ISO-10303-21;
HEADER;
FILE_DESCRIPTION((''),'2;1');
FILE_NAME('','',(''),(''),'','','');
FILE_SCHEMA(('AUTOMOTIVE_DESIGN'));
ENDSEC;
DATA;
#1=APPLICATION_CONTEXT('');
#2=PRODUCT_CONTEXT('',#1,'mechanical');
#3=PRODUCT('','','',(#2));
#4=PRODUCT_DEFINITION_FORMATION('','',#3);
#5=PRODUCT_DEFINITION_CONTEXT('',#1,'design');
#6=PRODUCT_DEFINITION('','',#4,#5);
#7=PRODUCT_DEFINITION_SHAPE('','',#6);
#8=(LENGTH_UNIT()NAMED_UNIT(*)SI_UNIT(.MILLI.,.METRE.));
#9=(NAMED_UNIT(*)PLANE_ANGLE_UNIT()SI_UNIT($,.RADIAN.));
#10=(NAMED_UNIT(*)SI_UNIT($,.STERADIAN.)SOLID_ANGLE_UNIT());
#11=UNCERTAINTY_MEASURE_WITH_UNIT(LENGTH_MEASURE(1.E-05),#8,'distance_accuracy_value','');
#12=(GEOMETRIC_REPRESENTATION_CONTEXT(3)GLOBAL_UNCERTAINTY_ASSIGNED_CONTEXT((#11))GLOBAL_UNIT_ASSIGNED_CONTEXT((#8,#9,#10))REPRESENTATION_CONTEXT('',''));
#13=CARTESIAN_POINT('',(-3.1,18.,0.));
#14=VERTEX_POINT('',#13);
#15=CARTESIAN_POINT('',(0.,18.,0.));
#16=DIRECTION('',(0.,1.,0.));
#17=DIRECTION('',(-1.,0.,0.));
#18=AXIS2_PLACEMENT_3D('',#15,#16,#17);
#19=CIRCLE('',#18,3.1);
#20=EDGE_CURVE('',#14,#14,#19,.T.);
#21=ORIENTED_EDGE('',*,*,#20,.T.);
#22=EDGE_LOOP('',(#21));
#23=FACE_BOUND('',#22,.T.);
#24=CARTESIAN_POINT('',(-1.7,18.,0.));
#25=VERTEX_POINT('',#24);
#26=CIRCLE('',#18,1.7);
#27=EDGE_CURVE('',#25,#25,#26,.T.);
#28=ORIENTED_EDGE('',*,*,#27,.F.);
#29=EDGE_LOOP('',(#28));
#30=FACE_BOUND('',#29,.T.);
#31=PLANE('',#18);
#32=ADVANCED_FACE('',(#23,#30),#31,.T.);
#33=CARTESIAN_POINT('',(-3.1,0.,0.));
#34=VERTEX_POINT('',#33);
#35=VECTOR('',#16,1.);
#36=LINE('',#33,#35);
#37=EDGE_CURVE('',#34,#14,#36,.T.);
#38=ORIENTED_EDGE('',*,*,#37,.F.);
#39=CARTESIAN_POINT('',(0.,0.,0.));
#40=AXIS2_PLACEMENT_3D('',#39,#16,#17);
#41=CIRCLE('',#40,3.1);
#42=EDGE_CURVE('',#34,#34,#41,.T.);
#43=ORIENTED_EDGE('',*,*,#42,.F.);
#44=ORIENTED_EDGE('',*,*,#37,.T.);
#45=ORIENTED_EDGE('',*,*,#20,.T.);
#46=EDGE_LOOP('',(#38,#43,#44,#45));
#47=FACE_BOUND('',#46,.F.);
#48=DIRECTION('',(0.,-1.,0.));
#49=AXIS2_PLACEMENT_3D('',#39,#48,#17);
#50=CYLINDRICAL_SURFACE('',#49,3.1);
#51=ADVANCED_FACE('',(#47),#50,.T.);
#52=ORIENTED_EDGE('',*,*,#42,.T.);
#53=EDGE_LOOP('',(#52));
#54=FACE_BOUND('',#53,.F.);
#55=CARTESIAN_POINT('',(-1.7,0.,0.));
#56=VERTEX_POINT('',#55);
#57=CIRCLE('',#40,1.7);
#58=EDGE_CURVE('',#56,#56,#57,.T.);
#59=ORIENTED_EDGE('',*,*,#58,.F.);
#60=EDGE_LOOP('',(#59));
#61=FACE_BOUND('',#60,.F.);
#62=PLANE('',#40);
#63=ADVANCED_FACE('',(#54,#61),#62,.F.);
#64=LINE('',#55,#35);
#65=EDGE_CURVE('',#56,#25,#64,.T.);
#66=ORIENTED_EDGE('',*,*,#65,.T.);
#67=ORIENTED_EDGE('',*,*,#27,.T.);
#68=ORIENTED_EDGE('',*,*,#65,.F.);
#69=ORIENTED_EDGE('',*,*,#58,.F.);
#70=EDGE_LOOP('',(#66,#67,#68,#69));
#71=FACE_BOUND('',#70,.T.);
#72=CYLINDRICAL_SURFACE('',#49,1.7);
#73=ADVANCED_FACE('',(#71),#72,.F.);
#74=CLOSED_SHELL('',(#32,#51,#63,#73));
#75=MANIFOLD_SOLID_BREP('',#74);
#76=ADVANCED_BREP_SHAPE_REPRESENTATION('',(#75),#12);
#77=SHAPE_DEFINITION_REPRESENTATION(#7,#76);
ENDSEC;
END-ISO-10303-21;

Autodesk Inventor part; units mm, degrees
ref_plane "YZ Plane" through (0, 0, 0) normal (1, 0, 0) x (0, 1, 0)
ref_plane "XZ Plane" through (0, 0, 0) normal (0, 1, 0) x (-1, 0, 0)
ref_plane "XY Plane" through (0, 0, 0) normal (0, 0, 1) x (1, 0, 0)
sketch "Szkic1" plane through (0, 0, 0) normal (0, 1, 0) x (-1, 0, 0)
  circle A0 centre (0, 0) radius 1.7
  circle A1 centre (0, 0) radius 3.1
  dimension "d0" = 3.4
  dimension "d1" = 6.2
extrude "Wyciągnięcie proste1" add sketch "Szkic1" along normal blind 18
properties part number "tuleja18" material "PCW, nieplastyfikowany"
